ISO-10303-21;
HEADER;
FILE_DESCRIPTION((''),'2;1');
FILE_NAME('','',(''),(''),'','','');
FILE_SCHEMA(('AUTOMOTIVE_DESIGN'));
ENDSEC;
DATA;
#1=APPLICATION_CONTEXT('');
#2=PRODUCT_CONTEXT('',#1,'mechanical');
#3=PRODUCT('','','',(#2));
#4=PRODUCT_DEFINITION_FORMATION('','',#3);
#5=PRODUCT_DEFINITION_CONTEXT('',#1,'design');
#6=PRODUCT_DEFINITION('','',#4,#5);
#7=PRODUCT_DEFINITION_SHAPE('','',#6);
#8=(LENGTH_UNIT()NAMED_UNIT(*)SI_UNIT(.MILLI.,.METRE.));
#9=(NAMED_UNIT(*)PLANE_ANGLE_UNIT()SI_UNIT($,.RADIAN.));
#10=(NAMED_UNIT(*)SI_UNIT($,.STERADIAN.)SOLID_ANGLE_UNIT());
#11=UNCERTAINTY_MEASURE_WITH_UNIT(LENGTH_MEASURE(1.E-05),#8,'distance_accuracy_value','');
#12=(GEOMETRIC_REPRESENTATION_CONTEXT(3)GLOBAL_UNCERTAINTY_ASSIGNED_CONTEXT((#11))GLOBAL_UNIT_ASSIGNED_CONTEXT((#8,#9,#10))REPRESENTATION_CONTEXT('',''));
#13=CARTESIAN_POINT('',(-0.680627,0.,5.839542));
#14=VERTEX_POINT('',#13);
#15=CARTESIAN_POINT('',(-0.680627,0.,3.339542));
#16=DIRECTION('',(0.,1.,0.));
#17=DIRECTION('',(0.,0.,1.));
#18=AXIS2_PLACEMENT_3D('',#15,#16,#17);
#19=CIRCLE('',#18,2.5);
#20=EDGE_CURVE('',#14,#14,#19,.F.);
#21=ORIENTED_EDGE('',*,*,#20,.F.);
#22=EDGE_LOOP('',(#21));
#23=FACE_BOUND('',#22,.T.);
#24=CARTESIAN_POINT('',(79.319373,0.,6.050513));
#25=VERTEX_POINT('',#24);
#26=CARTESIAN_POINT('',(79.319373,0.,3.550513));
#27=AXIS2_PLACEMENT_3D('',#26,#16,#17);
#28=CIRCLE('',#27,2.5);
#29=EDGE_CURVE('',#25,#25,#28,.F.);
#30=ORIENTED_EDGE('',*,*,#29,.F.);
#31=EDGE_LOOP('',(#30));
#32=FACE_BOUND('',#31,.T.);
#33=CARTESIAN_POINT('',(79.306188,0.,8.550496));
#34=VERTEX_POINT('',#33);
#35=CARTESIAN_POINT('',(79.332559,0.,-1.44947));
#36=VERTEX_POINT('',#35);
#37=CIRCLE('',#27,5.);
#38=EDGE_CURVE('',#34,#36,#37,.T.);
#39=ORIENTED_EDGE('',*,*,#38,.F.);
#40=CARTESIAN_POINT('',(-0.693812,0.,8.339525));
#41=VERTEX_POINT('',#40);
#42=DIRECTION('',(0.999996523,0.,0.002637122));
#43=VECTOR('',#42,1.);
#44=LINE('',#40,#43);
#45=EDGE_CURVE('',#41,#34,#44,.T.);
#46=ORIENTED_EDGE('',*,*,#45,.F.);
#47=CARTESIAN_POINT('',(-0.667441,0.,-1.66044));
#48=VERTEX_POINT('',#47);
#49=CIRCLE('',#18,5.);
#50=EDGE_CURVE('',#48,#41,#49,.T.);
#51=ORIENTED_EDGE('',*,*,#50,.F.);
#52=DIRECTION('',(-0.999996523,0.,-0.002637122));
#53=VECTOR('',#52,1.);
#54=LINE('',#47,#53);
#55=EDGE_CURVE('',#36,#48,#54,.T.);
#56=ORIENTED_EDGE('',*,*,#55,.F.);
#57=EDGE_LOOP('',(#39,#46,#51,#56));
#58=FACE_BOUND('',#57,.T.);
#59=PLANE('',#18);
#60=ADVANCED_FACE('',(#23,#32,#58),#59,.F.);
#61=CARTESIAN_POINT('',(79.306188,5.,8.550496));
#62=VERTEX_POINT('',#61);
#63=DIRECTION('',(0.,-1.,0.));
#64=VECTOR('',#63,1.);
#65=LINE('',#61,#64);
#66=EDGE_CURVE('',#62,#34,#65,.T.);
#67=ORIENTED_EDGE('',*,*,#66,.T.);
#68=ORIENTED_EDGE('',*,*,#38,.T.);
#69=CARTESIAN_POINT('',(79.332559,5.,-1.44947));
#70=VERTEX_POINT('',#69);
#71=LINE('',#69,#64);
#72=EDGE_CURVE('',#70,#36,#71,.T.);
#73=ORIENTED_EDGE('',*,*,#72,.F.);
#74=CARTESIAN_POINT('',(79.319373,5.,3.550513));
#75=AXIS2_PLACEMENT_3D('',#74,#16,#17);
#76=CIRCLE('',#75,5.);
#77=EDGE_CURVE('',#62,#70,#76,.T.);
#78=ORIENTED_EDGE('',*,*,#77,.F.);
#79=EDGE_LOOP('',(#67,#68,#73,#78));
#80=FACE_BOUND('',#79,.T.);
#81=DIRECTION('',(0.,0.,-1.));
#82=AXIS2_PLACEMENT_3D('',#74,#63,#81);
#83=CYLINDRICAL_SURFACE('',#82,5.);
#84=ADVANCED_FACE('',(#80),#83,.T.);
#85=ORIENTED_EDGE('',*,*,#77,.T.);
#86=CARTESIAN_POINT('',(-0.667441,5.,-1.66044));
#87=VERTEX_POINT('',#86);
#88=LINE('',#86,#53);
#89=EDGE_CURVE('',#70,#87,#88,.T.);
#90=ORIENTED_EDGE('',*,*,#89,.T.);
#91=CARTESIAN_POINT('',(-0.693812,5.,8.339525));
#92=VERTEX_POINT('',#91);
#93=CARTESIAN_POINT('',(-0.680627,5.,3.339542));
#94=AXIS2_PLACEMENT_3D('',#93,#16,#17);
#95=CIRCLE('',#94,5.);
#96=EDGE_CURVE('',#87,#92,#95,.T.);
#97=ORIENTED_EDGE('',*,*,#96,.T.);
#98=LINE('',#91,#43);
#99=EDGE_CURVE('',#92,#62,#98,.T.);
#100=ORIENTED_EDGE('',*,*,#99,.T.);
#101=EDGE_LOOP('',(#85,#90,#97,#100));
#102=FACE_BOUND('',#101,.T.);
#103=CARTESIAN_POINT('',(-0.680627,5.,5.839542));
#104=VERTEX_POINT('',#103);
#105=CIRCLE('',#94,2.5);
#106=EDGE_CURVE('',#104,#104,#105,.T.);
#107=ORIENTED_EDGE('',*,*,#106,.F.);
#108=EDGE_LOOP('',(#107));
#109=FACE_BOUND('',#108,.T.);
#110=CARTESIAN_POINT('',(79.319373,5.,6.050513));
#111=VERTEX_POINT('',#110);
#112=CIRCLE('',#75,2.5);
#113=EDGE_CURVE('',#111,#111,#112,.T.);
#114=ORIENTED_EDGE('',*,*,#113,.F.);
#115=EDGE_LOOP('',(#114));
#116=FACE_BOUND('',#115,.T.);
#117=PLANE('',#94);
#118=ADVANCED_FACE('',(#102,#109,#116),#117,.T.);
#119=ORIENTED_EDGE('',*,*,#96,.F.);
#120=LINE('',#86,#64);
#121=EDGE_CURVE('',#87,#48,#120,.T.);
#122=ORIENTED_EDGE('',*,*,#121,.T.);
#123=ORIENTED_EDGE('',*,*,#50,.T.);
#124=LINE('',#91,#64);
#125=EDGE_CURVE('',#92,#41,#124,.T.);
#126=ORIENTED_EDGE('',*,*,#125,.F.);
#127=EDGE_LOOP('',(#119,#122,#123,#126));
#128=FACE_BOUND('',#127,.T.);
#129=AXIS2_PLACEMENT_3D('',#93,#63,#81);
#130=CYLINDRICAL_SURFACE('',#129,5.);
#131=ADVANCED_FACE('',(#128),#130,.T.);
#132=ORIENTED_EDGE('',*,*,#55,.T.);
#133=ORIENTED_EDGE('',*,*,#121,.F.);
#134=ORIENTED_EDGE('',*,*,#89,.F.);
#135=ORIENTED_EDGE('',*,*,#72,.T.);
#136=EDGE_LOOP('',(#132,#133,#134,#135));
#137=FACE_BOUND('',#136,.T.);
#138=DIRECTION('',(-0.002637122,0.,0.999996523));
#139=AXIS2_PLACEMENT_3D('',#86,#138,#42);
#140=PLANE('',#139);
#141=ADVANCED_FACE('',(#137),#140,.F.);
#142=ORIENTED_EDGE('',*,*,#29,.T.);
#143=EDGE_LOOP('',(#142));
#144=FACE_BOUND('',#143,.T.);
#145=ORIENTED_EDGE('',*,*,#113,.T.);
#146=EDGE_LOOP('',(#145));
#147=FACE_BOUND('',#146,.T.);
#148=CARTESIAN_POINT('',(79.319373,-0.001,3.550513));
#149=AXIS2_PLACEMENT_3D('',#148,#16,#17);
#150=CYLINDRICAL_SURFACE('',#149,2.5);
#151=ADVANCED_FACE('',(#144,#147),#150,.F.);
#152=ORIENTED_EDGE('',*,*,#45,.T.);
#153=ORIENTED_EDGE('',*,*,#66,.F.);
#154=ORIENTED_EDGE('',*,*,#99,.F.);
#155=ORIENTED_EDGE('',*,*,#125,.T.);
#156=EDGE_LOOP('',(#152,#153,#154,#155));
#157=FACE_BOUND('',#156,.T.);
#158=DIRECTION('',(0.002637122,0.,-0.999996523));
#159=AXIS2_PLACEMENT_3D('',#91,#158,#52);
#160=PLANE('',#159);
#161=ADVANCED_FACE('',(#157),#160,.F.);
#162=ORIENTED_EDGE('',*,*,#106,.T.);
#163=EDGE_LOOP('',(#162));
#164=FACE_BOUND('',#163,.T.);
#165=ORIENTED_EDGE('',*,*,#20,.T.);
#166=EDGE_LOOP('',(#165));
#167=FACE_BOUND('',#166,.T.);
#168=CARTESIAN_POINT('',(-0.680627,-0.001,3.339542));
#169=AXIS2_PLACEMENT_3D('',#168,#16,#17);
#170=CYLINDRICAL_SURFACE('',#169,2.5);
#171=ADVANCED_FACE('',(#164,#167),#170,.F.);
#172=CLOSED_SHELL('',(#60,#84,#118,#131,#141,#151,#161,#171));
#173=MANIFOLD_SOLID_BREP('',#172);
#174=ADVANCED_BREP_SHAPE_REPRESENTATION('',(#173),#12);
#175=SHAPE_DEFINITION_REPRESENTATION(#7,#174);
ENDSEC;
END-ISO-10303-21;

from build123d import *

# Parameters (mm, degrees)
BOSS_EXTRUDE1_DEPTH = 5
CUT_EXTRUDE1_REACH  = 86.899
SKETCH3_R           = 2.5


with BuildPart() as part:
    # Sketch2 → Boss-Extrude1 (new body)
    with BuildSketch(Plane(origin=(0, 0, 0), x_dir=(1, 0, 0), z_dir=(0, 1, 0))):
        with BuildLine():
            Line((-0.667440917, 1.660440165), (79.332559083, 1.449469701))
            ThreePointArc((79.332559083, 1.449469701), (84.319356089, -3.563698521), (79.306187867, -8.550495527))
            Line((79.306187867, -8.550495527), (-0.693812133, -8.339525063))
            ThreePointArc((-0.693812133, -8.339525063), (-5.680609139, -3.326356841), (-0.667440917, 1.660440165))
        make_face()
    extrude(amount=BOSS_EXTRUDE1_DEPTH)

    # Sketch3 → Cut-Extrude1 (cut, up to next)
    with BuildSketch(Plane(origin=(0, 5, 0), x_dir=(1, 0, 0), z_dir=(0, 1, 0)), mode=Mode.PRIVATE) as cut_extrude1_sk1:
        with Locations(Location((-0.680626525, -3.339542449, 0), (0, 0, 270))):
            Circle(SKETCH3_R)
    cut_extrude1_tool1 = extrude(cut_extrude1_sk1.sketch, amount=-CUT_EXTRUDE1_REACH, mode=Mode.PRIVATE) & part.part
    # Sketch3 → Cut-Extrude1 (cut, up to next)
    with BuildSketch(Plane(origin=(0, 5, 0), x_dir=(1, 0, 0), z_dir=(0, 1, 0)), mode=Mode.PRIVATE) as cut_extrude1_sk2:
        with Locations(Location((79.319373475, -3.550512913, 0), (0, 0, 270))):
            Circle(SKETCH3_R)
    cut_extrude1_tool2 = extrude(cut_extrude1_sk2.sketch, amount=-CUT_EXTRUDE1_REACH, mode=Mode.PRIVATE) & part.part
    add(cut_extrude1_tool1.solids().sort_by_distance((-0.680627, 5, 3.339542))[0], mode=Mode.SUBTRACT)
    add(cut_extrude1_tool2.solids().sort_by_distance((79.319373, 5, 3.550513))[0], mode=Mode.SUBTRACT)


solid = part.part
